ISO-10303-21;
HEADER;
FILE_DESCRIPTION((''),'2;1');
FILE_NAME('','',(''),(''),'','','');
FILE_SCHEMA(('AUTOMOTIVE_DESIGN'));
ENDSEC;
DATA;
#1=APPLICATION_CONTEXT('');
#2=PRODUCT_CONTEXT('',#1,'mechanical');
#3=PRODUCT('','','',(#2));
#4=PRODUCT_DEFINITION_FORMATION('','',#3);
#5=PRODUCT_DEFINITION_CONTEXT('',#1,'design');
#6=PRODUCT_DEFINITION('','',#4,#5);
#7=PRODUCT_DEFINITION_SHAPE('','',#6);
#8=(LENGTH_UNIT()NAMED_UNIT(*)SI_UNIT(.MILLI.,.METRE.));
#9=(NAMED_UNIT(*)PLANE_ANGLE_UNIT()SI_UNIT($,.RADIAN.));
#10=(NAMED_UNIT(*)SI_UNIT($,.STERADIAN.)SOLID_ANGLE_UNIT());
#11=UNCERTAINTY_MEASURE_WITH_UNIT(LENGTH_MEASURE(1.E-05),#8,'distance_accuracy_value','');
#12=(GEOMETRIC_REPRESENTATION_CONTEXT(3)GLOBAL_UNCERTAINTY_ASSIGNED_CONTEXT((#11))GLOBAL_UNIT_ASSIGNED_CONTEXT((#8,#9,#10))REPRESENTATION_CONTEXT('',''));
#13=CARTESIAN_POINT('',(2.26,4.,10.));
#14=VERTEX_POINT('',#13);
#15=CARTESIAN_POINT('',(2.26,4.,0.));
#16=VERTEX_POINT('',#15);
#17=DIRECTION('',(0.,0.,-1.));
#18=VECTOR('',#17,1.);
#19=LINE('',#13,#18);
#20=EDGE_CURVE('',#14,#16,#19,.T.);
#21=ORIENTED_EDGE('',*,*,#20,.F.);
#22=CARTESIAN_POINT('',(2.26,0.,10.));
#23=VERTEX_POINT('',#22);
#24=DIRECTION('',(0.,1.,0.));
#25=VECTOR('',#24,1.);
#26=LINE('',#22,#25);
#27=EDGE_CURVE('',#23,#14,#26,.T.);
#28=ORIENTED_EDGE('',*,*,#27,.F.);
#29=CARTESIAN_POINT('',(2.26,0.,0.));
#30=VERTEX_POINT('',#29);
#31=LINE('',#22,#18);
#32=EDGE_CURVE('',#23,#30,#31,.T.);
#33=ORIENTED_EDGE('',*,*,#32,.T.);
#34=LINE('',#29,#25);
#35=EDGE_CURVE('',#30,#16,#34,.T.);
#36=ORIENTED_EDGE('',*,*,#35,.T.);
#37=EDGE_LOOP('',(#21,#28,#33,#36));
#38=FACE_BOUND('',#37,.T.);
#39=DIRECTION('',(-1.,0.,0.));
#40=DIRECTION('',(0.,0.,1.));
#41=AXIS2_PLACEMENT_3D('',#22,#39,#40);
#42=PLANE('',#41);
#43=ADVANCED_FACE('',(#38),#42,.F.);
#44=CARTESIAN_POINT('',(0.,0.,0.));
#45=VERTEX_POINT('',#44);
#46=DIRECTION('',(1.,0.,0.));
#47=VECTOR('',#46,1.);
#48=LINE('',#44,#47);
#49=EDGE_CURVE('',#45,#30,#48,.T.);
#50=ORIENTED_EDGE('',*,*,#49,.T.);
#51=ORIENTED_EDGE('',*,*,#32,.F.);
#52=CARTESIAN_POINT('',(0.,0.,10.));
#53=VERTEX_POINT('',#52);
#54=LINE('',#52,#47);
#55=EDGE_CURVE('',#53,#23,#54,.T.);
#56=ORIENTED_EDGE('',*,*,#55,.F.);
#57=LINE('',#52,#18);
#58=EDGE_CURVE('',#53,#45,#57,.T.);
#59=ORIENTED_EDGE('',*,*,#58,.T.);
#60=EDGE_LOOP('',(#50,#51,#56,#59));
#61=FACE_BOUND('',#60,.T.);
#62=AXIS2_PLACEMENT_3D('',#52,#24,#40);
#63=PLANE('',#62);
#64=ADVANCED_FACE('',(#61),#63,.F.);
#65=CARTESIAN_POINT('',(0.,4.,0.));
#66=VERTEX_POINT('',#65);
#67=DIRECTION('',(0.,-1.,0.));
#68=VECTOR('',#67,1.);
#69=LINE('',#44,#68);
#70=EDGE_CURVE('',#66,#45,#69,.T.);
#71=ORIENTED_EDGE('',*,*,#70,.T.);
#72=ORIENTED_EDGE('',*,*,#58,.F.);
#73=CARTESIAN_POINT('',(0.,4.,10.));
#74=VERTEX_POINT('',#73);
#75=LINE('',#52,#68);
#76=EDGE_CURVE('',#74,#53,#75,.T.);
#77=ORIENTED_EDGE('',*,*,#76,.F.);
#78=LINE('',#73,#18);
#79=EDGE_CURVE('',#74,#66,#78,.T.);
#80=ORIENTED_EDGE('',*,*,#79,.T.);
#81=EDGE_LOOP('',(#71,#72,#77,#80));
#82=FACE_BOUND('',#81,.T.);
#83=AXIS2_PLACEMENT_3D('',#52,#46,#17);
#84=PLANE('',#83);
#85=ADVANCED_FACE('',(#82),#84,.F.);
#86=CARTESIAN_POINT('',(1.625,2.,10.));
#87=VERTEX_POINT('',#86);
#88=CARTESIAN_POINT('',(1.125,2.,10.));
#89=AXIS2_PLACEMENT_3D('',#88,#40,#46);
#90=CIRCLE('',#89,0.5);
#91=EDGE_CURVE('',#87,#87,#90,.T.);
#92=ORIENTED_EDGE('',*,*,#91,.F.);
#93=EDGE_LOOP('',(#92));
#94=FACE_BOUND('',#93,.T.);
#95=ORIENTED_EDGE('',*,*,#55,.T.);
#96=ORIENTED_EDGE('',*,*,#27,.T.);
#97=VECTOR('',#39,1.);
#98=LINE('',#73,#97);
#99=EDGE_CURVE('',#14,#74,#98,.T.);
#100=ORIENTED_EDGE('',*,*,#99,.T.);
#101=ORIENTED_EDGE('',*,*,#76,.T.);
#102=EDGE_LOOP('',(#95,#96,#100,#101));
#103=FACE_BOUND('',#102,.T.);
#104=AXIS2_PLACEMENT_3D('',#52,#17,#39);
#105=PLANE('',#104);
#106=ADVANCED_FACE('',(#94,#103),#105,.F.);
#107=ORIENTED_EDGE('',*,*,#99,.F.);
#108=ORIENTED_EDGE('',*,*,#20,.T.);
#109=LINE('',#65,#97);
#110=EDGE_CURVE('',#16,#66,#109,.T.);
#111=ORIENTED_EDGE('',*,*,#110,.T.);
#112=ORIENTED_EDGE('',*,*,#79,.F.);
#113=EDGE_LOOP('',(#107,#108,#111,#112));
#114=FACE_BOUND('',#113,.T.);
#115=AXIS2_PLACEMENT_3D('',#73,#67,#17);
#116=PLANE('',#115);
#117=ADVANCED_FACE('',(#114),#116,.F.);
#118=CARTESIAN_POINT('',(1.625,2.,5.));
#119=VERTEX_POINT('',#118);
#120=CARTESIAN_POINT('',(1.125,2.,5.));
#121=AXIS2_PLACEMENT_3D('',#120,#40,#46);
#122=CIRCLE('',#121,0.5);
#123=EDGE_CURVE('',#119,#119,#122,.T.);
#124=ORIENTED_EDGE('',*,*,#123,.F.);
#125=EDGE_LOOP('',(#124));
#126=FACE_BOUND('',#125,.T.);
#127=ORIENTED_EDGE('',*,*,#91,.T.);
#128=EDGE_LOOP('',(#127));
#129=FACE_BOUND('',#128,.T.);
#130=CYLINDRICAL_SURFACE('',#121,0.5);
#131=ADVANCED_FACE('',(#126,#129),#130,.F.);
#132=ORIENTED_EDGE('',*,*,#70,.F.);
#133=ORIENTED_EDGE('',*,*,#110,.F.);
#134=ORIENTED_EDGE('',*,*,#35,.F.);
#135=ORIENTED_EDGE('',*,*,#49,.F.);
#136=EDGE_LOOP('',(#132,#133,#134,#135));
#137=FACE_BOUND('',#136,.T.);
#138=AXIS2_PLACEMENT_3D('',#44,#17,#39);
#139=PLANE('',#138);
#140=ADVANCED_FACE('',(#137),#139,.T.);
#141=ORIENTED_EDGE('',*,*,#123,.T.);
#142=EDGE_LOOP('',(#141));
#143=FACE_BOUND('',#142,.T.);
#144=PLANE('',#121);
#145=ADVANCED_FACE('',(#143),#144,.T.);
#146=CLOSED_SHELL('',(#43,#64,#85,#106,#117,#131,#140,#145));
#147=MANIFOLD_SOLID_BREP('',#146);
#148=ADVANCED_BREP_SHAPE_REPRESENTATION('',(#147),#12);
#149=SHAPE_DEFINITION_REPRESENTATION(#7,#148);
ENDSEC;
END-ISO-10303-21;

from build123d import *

# Parameters (mm, degrees)
SKETCH2_W           = 2.26
SKETCH2_H           = 4
BOSS_EXTRUDE1_DEPTH = 10
SKETCH3_R           = 0.5
CUT_EXTRUDE1_DEPTH  = 5


with BuildPart() as part:
    # Sketch2 → Boss-Extrude1 (new body)
    with BuildSketch(Plane.XY):
        with Locations((1.13, 2)):
            Rectangle(SKETCH2_W, SKETCH2_H)
    extrude(amount=BOSS_EXTRUDE1_DEPTH)

    # Sketch3 → Cut-Extrude1 (cut)
    with BuildSketch(Plane.XY.offset(10)):
        with Locations((1.125, 2)):
            Circle(SKETCH3_R)
    extrude(amount=-CUT_EXTRUDE1_DEPTH, mode=Mode.SUBTRACT)


solid = part.part
